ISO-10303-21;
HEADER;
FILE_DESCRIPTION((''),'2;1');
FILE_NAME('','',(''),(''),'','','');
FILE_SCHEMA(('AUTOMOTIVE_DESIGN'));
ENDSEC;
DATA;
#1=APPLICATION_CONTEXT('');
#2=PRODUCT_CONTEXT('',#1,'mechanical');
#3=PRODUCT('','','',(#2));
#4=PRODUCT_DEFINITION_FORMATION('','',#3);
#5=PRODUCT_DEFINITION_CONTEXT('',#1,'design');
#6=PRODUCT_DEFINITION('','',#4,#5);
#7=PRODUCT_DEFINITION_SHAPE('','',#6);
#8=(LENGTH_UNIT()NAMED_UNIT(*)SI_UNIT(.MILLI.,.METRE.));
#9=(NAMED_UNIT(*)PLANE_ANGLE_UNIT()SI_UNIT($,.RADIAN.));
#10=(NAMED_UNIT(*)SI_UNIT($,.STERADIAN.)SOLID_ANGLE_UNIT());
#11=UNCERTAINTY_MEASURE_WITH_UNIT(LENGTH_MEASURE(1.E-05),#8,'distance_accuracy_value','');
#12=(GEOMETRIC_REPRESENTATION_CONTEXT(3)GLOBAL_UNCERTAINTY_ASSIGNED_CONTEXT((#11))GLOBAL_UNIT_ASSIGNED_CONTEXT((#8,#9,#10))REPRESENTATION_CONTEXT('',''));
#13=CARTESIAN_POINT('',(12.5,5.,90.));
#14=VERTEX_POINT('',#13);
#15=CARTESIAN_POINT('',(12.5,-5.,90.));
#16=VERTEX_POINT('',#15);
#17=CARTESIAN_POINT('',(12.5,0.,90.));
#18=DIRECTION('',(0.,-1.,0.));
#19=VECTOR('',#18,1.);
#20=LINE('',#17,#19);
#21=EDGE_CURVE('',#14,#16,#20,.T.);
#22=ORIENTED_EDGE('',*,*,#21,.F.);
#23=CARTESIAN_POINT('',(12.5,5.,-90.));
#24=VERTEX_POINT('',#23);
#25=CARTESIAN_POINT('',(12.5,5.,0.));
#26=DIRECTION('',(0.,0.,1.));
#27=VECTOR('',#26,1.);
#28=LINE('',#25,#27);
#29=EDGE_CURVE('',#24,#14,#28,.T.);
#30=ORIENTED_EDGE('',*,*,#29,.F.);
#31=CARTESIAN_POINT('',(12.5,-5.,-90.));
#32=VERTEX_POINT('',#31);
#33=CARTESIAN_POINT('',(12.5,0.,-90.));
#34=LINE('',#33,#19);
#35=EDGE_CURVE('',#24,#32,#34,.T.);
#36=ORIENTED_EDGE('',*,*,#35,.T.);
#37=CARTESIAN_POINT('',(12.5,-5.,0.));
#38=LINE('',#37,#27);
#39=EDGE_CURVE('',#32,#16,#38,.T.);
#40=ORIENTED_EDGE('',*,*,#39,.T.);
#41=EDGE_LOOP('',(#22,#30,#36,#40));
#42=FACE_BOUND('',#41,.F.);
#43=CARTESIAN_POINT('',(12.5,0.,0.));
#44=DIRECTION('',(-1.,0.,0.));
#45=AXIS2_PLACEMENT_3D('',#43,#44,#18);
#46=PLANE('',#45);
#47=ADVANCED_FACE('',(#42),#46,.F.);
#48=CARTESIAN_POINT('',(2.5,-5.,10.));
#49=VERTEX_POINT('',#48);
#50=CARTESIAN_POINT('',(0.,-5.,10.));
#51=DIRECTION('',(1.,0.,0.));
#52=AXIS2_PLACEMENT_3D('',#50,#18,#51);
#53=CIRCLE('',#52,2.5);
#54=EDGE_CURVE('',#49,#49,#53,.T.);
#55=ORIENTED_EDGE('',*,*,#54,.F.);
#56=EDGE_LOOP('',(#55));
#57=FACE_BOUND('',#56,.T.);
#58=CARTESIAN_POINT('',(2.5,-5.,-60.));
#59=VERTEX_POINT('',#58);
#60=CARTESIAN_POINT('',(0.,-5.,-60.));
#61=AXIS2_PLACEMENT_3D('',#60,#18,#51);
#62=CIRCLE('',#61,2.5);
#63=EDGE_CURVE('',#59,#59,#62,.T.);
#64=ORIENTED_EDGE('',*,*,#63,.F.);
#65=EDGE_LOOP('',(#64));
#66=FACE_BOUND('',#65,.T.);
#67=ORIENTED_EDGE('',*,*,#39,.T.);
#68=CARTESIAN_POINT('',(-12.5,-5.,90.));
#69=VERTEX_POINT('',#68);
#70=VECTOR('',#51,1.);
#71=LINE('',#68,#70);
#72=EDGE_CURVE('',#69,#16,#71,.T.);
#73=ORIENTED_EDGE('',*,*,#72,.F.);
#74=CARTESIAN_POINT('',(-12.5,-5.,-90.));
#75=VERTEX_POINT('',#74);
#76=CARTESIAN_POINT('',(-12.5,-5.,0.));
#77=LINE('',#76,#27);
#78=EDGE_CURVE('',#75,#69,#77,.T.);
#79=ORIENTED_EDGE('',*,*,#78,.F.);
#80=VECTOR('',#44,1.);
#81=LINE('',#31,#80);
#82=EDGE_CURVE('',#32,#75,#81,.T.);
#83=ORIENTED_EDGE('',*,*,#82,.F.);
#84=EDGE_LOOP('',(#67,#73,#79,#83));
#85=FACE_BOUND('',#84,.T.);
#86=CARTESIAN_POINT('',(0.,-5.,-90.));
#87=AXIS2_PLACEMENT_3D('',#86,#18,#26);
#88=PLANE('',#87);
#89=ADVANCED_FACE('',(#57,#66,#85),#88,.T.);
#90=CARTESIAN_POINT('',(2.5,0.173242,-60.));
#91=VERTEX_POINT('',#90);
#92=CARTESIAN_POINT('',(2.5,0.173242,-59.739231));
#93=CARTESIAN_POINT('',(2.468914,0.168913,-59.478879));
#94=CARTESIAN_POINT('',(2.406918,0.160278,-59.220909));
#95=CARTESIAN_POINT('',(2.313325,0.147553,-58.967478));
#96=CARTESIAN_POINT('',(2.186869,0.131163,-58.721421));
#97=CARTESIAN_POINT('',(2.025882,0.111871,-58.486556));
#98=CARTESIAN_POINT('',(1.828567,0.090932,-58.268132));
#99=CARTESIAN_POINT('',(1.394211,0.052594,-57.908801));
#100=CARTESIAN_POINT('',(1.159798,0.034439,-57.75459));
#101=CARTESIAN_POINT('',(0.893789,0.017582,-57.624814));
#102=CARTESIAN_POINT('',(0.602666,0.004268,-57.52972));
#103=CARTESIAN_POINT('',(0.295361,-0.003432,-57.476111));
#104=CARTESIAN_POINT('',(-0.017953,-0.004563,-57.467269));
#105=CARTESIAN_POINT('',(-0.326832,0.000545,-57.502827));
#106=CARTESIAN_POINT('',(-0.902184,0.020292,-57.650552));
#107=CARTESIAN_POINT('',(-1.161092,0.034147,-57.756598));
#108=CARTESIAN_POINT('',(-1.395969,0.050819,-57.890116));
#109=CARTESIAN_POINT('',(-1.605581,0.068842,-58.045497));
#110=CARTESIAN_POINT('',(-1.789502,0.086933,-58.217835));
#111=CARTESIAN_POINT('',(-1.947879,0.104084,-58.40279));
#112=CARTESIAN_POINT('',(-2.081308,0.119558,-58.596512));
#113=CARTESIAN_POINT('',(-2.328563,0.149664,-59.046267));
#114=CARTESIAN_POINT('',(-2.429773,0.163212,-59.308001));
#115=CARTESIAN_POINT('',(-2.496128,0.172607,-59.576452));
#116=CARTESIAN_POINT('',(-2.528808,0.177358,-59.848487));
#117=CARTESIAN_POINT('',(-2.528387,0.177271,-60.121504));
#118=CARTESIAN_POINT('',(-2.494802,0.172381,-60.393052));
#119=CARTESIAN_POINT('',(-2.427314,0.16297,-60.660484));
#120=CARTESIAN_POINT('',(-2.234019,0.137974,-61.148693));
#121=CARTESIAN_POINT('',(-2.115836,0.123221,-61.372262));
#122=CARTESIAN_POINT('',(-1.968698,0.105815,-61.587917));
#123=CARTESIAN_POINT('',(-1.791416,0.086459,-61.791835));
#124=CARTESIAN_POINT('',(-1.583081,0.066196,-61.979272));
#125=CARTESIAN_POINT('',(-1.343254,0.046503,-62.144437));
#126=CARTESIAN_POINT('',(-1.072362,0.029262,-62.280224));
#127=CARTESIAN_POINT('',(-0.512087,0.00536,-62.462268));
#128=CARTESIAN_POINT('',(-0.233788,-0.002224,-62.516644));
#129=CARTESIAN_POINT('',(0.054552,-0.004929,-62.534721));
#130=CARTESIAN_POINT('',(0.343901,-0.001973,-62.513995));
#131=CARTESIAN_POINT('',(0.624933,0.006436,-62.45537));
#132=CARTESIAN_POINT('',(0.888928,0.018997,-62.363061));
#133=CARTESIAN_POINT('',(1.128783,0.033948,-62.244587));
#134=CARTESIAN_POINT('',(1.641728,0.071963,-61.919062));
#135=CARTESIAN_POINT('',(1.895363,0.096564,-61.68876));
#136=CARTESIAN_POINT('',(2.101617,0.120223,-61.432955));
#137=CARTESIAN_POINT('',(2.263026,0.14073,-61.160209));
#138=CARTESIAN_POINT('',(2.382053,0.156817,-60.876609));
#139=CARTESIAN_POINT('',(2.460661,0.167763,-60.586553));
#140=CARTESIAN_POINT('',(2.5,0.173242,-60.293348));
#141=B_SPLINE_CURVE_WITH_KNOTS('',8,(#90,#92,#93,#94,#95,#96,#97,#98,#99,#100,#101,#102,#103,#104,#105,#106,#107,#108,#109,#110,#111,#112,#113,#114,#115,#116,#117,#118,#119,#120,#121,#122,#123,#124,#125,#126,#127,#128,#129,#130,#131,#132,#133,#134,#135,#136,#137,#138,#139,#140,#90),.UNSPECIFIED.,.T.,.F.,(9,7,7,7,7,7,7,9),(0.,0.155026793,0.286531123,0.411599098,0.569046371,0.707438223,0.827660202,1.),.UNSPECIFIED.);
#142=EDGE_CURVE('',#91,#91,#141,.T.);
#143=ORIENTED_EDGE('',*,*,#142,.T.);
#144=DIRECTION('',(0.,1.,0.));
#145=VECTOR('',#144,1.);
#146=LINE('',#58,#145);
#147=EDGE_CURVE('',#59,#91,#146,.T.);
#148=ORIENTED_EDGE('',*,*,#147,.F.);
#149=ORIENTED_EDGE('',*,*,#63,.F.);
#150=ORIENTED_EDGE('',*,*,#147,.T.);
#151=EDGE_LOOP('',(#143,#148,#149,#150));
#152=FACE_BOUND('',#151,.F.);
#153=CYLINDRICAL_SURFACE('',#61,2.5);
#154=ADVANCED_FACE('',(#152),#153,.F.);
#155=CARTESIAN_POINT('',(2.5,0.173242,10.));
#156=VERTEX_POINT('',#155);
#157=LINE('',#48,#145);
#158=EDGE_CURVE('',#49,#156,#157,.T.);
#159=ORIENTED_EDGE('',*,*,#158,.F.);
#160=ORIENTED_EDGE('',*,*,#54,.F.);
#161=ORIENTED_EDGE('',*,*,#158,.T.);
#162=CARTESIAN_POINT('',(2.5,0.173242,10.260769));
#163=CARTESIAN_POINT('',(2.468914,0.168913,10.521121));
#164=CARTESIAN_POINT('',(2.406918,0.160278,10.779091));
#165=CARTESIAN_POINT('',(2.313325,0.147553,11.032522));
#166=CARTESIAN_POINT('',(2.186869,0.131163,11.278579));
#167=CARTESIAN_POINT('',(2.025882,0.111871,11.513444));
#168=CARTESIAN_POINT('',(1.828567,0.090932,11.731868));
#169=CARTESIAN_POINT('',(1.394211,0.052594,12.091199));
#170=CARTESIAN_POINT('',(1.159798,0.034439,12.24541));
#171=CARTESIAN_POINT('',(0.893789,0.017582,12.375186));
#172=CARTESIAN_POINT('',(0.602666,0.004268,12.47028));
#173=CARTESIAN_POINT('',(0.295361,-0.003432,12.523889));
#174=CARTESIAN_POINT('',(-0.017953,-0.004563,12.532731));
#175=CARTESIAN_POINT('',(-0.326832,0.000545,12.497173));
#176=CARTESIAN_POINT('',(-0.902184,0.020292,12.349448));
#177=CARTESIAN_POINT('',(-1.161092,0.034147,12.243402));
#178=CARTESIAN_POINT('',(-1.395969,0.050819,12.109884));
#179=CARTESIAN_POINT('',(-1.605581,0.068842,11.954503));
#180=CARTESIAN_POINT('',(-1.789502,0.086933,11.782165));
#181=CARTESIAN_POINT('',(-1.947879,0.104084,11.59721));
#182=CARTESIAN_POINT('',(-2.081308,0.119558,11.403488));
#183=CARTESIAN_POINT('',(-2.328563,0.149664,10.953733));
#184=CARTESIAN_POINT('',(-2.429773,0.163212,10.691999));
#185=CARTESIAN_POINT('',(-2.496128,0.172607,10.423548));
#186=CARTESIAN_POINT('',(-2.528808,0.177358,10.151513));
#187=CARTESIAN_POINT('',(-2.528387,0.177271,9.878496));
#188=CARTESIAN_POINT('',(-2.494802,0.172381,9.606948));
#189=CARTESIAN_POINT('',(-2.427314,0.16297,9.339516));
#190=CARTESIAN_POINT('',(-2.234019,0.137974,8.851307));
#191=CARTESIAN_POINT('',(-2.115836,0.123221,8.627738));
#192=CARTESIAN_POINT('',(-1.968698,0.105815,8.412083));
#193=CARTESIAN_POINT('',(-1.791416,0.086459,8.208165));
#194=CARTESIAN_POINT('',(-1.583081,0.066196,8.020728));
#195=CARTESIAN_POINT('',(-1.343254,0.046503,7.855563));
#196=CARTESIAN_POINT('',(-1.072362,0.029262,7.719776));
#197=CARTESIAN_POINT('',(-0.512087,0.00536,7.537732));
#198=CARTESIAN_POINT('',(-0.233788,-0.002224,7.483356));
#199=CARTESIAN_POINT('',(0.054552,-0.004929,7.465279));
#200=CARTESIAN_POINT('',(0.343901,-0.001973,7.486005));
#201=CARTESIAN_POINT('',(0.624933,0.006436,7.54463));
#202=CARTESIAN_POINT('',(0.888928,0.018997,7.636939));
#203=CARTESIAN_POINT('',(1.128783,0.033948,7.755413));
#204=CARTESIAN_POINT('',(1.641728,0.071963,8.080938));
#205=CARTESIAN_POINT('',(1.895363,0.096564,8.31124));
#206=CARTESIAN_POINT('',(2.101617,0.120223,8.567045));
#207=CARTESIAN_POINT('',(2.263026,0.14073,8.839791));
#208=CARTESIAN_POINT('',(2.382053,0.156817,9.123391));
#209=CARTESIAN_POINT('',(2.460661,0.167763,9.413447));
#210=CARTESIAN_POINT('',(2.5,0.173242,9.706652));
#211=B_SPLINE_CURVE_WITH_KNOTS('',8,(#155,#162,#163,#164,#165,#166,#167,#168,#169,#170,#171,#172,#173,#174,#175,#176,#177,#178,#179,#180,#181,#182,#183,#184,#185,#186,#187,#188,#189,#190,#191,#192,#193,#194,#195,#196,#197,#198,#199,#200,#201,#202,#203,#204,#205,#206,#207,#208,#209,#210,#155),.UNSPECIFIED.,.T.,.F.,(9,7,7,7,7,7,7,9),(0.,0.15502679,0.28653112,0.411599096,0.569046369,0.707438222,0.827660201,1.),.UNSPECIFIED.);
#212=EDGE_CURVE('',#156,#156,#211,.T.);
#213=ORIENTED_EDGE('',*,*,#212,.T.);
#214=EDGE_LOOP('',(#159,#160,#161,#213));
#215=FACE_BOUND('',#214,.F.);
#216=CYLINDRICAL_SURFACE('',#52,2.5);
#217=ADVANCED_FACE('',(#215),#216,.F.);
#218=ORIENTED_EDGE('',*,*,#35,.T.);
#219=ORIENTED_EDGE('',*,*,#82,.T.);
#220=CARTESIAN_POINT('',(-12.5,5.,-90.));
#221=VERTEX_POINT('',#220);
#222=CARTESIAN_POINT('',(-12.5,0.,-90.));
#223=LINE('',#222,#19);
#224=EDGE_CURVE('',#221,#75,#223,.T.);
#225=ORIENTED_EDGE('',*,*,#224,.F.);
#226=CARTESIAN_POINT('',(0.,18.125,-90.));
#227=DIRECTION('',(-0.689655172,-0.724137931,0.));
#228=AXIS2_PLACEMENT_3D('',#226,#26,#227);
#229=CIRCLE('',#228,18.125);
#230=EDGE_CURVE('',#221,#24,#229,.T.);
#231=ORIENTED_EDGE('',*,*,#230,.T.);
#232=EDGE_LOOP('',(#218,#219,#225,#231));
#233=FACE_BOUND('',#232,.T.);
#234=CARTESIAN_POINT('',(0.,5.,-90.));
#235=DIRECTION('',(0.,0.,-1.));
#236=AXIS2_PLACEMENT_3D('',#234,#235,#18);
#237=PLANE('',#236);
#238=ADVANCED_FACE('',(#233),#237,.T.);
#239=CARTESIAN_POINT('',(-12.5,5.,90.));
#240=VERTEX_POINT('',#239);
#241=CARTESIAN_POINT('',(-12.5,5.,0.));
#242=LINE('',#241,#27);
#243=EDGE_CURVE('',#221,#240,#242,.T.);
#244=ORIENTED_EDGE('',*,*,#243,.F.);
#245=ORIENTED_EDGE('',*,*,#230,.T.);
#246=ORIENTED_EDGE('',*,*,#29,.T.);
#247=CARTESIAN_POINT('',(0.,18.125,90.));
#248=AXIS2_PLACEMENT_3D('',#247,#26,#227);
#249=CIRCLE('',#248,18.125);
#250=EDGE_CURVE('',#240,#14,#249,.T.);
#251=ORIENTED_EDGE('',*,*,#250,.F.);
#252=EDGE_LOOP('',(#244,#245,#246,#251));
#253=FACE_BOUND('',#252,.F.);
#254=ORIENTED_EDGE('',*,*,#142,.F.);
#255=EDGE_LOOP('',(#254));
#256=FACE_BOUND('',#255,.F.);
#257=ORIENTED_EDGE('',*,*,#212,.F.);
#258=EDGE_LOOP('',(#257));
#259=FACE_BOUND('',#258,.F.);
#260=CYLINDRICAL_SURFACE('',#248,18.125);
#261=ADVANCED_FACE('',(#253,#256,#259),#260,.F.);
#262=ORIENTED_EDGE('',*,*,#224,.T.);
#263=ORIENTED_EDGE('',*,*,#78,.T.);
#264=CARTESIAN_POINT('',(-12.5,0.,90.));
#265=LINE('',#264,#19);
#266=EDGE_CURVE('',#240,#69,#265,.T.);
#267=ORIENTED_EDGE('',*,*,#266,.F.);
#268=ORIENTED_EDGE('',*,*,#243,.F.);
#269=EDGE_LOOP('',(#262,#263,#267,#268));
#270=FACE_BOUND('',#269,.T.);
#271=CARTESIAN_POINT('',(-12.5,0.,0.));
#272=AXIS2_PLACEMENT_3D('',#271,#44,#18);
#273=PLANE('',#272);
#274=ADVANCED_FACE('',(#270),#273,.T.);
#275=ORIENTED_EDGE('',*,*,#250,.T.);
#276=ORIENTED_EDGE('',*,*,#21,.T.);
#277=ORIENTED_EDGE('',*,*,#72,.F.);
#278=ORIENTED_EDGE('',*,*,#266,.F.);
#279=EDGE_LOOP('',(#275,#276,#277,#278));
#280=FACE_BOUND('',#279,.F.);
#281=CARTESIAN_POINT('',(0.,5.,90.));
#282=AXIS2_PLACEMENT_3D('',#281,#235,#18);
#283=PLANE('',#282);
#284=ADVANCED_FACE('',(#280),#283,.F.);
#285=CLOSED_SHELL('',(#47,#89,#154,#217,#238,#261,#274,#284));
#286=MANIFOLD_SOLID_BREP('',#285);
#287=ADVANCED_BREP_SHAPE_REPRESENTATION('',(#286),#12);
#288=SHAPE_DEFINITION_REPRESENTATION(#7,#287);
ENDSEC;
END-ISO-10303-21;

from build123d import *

# Parameters (mm, degrees)
F0_W     = 10
F0_H     = 180
F1_DEPTH = 12.5
F3_DEPTH = 180.001
F5_ANGLE = 90
F6_R     = 2.5
F7_DEPTH = 10.001


with BuildPart() as f1:
    # F0 (on Front) → F1 (new body, symmetric)
    with BuildSketch(Plane.XZ):
        Rectangle(F0_W, F0_H)
    extrude(amount=F1_DEPTH, both=True)

    # F2 (on face) → F3 (cut, through all)
    with BuildSketch(Plane.XY.offset(90)):
        with BuildLine():
            Line((-5, 12.5), (-5, -12.5))
            ThreePointArc((-5, -12.5), (0, 0), (-5, 12.5))
        make_face()
    extrude(amount=-F3_DEPTH, mode=Mode.SUBTRACT)


with BuildPart() as f1_1:
    # F5: moved
    add(f1.part.rotate(Axis((0, 0, 28.159656), (0, 0, -1)), F5_ANGLE))

    # F6 (on face) → F7 (cut, through all)
    with BuildSketch(Plane.XZ.offset(5)):
        with Locations((0, 10)):
            Circle(F6_R)
        with Locations((0, -60)):
            Circle(F6_R)
    extrude(amount=-F7_DEPTH, mode=Mode.SUBTRACT)


solid = f1_1.part
